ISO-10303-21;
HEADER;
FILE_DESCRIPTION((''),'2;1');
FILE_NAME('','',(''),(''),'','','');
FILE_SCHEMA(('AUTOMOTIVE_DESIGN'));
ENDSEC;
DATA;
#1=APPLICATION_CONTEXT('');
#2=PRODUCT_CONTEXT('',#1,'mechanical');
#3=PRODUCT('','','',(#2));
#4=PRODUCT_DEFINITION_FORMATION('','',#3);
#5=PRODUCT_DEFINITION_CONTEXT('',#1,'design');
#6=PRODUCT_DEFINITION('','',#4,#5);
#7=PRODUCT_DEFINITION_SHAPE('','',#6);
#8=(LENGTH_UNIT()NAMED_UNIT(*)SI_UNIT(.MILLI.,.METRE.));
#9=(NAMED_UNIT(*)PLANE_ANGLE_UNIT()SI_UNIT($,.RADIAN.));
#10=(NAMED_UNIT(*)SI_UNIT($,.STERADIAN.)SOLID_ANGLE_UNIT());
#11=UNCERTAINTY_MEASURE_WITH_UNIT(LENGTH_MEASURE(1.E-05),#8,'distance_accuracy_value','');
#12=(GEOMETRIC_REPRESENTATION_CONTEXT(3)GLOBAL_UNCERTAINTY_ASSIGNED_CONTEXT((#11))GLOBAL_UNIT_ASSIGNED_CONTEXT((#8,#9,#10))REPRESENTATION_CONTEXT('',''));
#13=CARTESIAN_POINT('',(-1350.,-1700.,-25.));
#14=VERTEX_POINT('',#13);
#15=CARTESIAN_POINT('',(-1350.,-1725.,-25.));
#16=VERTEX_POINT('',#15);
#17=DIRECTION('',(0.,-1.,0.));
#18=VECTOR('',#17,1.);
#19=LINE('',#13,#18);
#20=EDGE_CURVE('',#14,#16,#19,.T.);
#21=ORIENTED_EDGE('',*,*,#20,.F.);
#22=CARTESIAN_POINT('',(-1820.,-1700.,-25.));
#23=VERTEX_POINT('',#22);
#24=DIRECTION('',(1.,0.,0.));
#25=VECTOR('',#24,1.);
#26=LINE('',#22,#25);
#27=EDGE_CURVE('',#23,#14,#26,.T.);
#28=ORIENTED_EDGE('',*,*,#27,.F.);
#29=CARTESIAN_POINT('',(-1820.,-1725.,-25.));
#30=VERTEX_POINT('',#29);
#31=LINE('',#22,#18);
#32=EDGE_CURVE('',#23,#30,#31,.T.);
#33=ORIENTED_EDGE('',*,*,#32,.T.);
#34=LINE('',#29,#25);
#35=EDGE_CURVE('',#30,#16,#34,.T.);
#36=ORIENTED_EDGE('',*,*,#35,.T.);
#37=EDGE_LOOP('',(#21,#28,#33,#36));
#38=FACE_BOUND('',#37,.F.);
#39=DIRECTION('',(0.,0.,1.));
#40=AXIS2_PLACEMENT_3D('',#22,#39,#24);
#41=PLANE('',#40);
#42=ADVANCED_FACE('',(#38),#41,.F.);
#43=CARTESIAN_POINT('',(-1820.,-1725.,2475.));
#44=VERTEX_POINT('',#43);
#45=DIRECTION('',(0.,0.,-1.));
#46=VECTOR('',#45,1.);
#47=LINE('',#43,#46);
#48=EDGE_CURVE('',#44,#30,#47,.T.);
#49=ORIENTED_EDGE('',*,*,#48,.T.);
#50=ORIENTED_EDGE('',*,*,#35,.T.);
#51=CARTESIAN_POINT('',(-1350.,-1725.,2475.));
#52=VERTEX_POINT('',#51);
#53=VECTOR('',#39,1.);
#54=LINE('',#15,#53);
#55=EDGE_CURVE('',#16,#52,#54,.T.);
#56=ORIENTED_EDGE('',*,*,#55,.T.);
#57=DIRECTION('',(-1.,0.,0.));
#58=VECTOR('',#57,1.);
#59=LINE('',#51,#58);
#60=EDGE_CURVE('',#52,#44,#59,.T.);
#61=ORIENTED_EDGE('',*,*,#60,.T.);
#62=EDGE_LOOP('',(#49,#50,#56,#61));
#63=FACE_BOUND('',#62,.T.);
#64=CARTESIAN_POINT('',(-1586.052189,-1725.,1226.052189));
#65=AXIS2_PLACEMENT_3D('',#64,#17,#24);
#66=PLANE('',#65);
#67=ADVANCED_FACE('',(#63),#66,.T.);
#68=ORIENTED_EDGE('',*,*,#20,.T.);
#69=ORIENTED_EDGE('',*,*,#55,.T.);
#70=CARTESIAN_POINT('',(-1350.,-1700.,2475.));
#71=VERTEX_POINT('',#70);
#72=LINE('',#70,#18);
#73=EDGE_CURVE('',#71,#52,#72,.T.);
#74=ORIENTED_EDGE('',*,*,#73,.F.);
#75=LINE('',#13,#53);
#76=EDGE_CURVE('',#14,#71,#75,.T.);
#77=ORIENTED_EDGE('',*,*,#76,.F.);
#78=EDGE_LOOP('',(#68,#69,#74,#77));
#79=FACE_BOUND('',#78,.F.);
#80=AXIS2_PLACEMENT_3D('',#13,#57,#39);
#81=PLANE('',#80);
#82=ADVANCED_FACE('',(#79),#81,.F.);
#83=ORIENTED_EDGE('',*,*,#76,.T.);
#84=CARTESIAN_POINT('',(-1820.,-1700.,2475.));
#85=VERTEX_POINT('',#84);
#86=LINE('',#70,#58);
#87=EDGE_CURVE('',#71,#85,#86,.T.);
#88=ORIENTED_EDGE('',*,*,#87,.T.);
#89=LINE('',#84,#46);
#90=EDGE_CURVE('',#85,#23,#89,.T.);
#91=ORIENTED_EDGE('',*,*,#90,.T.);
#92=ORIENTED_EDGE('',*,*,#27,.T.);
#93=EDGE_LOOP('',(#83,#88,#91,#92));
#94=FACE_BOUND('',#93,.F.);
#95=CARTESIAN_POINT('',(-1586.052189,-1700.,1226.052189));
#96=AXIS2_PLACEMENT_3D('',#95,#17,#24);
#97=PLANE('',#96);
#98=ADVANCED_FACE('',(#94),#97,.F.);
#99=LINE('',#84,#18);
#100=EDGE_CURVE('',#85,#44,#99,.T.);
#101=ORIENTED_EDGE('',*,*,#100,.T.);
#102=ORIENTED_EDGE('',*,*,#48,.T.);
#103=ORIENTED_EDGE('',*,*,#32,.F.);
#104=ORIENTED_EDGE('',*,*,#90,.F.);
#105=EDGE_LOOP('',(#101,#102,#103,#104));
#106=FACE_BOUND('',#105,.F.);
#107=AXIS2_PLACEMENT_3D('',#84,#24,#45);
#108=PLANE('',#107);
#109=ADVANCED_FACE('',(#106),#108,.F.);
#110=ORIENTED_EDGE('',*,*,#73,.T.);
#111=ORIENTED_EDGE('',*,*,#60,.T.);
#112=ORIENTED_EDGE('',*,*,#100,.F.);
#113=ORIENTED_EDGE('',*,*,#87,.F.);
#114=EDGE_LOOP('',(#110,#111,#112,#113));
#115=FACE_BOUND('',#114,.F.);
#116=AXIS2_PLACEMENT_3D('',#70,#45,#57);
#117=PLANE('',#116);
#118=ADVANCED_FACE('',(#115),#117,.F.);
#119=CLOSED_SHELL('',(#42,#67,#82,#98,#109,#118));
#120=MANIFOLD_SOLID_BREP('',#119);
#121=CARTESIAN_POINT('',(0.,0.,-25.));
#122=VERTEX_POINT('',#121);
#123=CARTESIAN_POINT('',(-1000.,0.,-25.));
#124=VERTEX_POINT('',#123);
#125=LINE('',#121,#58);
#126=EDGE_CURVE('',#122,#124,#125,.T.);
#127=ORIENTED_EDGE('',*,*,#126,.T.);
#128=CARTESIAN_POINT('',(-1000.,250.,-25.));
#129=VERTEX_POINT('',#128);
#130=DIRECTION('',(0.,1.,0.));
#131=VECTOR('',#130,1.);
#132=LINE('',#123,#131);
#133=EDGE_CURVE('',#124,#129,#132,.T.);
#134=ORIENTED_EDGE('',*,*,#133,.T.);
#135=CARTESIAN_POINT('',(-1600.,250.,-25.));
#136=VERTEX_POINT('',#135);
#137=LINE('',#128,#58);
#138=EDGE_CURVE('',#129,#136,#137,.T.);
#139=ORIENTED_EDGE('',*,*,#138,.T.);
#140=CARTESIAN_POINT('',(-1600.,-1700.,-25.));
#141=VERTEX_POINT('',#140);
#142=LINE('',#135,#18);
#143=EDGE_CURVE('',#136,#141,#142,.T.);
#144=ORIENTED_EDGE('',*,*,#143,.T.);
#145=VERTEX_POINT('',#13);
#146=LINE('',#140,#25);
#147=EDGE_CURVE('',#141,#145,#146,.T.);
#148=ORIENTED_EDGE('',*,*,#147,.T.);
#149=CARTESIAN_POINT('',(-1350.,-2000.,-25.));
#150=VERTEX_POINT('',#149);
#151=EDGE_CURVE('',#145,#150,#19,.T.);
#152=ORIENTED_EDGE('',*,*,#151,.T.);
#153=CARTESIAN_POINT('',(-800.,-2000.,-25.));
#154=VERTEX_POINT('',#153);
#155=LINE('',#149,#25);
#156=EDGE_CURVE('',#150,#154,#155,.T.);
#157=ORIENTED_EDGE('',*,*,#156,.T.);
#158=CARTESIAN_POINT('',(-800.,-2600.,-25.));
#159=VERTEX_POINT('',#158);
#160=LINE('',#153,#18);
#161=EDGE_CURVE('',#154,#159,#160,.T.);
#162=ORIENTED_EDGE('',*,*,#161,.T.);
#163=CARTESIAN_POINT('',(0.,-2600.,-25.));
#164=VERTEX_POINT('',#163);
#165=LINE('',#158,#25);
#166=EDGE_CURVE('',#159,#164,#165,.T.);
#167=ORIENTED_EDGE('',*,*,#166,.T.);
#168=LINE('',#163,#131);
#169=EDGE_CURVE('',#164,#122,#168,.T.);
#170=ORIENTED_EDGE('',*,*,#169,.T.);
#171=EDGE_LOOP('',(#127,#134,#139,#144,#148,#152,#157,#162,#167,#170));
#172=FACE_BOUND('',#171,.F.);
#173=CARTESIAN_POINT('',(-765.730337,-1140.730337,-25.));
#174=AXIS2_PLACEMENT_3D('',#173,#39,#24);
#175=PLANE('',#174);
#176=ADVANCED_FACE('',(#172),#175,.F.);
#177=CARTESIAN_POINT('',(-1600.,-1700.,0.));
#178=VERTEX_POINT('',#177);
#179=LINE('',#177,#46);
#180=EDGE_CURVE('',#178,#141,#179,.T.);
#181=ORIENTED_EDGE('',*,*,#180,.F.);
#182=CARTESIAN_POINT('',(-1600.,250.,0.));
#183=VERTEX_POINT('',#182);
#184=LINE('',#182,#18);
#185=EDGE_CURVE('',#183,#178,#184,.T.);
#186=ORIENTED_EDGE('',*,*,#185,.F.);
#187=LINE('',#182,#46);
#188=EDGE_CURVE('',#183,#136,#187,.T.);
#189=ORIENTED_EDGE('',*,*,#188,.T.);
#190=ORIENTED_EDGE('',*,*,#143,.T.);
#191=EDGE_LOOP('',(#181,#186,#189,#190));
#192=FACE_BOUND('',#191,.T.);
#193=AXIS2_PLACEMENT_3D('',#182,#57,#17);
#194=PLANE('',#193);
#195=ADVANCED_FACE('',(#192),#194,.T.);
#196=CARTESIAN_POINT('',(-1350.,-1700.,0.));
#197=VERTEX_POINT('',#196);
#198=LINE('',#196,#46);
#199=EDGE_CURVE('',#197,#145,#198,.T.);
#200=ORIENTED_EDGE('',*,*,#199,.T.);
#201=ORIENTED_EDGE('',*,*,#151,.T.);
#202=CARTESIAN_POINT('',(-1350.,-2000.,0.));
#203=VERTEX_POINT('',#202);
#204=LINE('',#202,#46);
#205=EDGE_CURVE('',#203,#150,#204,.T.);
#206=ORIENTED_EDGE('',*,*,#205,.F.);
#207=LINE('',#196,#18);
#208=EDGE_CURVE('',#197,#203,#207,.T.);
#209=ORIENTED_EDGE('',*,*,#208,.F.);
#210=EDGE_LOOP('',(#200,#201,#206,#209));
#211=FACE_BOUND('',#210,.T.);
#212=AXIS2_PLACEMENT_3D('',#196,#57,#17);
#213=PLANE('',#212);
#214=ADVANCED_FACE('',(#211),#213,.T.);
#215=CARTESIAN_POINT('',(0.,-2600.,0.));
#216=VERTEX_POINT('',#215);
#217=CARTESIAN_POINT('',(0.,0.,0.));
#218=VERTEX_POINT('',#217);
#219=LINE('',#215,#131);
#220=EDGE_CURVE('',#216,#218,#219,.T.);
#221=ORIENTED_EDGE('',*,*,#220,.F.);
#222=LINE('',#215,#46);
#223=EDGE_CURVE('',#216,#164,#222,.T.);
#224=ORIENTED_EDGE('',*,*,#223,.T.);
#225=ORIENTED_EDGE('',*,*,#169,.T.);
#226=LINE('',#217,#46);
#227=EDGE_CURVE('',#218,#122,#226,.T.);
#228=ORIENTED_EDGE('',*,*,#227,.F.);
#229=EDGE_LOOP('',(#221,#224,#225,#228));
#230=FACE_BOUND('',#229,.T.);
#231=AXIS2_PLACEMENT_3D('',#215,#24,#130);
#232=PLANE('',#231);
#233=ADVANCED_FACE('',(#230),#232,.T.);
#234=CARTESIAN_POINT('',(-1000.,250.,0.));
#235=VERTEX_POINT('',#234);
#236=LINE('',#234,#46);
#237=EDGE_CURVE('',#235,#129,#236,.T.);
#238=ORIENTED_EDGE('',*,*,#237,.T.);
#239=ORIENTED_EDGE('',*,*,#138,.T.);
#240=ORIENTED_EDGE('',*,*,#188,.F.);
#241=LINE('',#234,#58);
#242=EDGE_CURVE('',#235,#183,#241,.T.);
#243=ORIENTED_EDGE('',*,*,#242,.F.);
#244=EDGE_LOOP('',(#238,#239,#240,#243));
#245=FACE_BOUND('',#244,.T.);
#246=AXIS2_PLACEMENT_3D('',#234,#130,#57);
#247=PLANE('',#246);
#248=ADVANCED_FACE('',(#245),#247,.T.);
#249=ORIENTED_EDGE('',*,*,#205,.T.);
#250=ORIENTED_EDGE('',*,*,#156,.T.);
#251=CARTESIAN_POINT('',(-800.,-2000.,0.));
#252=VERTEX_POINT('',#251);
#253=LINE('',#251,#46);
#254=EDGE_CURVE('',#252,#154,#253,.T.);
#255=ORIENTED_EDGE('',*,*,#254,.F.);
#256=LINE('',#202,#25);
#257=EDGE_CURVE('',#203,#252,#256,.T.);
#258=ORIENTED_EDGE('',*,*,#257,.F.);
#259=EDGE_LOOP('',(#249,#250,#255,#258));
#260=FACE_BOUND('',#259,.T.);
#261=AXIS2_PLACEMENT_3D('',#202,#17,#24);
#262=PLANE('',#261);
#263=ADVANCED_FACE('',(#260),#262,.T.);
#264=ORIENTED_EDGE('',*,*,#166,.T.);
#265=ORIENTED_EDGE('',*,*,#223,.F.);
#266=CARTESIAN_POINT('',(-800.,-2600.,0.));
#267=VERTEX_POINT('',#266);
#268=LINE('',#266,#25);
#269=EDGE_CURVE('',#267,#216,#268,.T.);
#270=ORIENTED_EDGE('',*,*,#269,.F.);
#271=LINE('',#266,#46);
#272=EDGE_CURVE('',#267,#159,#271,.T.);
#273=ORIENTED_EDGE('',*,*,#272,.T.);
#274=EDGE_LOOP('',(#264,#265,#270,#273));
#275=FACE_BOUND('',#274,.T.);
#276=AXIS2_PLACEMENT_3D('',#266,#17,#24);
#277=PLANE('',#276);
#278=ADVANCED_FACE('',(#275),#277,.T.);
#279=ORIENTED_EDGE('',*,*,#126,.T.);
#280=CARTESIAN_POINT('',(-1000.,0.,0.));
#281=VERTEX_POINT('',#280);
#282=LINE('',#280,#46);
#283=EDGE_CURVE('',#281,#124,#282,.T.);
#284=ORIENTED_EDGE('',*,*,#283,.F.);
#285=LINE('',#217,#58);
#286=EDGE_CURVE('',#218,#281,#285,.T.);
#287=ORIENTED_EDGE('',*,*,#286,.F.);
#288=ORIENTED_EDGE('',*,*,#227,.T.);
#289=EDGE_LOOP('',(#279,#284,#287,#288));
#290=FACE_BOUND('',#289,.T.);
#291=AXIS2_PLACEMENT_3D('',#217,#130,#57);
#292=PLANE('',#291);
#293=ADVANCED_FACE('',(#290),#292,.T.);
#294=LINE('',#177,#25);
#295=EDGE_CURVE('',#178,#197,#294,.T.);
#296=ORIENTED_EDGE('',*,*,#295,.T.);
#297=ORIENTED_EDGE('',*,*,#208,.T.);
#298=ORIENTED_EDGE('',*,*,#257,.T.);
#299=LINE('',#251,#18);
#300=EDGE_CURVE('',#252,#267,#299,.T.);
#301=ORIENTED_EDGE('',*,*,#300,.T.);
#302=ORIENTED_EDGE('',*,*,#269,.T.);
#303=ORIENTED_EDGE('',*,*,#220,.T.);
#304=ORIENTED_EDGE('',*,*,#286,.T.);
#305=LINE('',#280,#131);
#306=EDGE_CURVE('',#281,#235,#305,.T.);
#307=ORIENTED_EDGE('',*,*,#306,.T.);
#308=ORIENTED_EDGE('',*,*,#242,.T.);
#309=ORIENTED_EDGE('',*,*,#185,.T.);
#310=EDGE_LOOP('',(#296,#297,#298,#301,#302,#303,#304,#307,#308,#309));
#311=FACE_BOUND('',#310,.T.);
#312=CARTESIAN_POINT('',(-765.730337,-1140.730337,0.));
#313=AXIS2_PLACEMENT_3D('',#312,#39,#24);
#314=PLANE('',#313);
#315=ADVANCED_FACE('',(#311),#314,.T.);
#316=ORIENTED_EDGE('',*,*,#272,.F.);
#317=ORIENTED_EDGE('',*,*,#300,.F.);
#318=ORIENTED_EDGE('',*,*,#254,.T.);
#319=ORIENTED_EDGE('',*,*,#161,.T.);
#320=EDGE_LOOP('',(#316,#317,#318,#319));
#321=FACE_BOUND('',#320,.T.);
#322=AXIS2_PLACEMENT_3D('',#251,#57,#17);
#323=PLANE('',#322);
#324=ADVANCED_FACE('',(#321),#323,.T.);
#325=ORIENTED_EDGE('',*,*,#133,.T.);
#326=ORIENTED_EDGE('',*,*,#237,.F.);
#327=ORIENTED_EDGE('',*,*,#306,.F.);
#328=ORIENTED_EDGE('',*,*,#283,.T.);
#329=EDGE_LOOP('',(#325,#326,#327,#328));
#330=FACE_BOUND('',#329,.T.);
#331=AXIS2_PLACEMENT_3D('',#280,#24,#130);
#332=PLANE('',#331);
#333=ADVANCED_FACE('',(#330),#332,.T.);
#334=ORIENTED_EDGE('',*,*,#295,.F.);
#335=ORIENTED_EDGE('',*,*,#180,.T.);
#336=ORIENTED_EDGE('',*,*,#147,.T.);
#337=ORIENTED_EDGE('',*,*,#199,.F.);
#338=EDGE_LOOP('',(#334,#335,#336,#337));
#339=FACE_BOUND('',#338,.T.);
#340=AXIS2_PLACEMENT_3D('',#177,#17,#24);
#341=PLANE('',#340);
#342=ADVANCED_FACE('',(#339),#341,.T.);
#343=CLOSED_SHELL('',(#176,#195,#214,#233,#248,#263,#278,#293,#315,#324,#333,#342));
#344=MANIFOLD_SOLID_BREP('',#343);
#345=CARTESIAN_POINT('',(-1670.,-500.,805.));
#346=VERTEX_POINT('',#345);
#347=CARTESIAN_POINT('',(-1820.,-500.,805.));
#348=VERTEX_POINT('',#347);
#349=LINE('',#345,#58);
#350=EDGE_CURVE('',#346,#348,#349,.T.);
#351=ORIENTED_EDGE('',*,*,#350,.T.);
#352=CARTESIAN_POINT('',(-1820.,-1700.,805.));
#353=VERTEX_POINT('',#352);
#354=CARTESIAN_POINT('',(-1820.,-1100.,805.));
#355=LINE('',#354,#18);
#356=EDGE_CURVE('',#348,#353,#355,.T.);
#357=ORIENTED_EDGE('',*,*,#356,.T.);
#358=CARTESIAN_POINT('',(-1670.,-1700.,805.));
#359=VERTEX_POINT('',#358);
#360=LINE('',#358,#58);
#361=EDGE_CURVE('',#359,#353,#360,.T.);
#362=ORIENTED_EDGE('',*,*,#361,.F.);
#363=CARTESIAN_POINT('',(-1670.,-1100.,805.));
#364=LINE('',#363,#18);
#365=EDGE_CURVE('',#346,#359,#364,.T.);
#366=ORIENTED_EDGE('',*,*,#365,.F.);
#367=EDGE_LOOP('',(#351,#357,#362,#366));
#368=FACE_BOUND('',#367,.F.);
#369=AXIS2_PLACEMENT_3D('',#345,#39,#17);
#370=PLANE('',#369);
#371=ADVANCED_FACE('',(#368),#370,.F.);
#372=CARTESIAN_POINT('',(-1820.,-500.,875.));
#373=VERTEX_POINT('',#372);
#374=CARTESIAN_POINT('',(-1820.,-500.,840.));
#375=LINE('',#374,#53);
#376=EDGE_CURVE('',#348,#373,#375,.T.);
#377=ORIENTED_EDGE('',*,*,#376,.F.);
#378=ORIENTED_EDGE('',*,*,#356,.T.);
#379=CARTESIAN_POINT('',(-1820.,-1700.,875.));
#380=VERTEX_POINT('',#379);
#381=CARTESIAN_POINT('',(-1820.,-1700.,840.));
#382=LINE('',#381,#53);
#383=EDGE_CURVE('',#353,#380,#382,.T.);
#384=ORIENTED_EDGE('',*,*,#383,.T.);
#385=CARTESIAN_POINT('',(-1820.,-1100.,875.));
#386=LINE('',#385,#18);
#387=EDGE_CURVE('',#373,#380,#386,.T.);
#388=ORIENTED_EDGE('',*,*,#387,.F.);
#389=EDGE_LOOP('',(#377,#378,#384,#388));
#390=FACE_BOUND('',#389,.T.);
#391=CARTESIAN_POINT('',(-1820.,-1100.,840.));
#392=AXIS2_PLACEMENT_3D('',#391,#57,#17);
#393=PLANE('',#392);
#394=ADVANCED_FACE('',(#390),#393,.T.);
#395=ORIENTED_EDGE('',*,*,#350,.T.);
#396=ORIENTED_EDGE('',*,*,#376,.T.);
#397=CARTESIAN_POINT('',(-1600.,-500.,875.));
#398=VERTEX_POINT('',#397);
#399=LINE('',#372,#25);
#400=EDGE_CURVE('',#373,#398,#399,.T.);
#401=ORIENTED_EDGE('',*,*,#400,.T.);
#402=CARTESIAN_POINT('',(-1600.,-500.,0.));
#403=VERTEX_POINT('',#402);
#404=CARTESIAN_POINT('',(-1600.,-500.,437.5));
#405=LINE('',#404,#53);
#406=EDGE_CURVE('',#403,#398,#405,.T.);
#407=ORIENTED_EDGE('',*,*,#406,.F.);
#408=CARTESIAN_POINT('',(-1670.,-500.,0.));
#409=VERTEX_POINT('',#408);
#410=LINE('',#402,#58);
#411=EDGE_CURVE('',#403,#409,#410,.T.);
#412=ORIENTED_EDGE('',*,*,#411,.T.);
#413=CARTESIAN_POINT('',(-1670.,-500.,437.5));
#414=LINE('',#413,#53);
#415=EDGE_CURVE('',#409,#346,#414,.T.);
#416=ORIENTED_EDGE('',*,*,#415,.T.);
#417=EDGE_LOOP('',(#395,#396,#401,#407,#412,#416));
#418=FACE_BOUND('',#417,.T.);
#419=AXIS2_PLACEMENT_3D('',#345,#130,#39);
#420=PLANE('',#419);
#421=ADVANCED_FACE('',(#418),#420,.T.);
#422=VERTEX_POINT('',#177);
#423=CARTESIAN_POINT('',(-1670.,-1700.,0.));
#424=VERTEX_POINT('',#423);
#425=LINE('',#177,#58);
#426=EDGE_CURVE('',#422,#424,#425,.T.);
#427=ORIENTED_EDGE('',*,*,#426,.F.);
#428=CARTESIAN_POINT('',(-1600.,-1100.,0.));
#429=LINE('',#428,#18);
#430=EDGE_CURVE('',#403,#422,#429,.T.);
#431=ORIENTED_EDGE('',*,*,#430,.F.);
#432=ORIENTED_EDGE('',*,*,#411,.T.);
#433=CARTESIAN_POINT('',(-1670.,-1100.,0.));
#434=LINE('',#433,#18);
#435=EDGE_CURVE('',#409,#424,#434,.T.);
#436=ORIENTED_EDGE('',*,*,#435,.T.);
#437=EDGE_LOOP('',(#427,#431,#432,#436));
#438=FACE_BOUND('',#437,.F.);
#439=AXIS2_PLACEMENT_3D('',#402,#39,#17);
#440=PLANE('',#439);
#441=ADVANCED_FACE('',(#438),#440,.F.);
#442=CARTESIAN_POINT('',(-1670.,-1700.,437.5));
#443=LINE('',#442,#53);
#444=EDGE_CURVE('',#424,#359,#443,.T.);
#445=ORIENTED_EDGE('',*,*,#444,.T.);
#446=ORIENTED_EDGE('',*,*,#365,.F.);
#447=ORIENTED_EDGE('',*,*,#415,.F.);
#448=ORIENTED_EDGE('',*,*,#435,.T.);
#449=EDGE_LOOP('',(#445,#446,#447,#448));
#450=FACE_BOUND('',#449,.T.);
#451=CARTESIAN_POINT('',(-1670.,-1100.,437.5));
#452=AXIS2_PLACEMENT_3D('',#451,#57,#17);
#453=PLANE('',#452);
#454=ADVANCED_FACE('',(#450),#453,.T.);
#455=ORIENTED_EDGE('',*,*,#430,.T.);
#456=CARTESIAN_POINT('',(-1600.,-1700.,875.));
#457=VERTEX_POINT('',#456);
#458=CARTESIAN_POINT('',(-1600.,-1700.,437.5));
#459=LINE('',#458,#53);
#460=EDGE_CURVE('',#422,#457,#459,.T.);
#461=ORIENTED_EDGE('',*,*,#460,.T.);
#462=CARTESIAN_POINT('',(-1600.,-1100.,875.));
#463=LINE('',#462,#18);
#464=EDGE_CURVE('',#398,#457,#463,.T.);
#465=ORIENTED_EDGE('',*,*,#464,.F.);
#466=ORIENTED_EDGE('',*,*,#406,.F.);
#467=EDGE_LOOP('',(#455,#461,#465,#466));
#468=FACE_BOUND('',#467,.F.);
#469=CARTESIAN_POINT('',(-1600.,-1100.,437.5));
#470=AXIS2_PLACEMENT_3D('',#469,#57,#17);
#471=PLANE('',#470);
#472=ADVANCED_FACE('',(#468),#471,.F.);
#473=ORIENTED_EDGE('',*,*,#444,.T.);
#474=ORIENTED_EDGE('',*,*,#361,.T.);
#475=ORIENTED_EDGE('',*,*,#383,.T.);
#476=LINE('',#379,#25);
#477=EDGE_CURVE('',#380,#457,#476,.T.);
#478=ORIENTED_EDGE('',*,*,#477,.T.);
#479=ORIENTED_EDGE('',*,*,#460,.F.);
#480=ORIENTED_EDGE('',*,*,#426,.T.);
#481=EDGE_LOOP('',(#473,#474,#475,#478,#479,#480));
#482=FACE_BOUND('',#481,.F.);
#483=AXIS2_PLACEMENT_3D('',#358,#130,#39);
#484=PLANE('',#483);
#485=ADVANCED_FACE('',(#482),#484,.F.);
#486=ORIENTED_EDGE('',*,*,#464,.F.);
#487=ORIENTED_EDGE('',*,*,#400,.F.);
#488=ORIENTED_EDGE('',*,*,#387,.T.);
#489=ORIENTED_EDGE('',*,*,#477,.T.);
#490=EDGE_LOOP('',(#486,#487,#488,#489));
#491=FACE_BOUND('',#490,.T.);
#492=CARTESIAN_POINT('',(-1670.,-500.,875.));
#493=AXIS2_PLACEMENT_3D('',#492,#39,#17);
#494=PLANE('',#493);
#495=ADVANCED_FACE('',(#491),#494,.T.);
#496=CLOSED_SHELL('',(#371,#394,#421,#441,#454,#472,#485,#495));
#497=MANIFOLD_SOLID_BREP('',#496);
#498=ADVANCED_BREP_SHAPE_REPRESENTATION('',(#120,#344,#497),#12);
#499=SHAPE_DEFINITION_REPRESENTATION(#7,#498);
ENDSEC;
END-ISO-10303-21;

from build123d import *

# Parameters (mm, degrees)
F1_DEPTH = 25
F2_W     = 1200
F2_H     = 875
F3_DEPTH = 70
F4_W     = 1200
F4_H     = 70
F5_DEPTH = 150
F6_W     = 250
F6_H     = 25
F7_DEPTH = 25


with BuildPart() as f1:
    # F0 (on Top) → F1 (new body)
    with BuildSketch(Plane.XY):
        Polygon((0, -2600), (0, 0), (-1000, 0), (-1000, 250), (-1600, 250), (-1600, -1700), (-1350, -1700), (-1350, -2000), (-800, -2000), (-800, -2600), align=None)
    extrude(amount=-F1_DEPTH)


with BuildPart() as f3:
    # F2 (on face) → F3 (new body)
    with BuildSketch(Plane(origin=(-1600, 0, 0), x_dir=(0, -1, 0), z_dir=(-1, 0, 0))):
        with Locations((1100, 437.5)):
            Rectangle(F2_W, F2_H)
    extrude(amount=F3_DEPTH)

    # F4 (on face) → F5 (join)
    with BuildSketch(Plane(origin=(-1670, 0, 0), x_dir=(0, -1, 0), z_dir=(-1, 0, 0))):
        with Locations((1100, 840)):
            Rectangle(F4_W, F4_H)
    extrude(amount=F5_DEPTH)


with BuildPart() as f7:
    # F6 (on face) → F7 (new body)
    with BuildSketch(Plane.XZ.offset(1700)):
        Polygon((-1820, -25), (-1600, -25), (-1600, 0), (-1350, 0), (-1350, 2475), (-1820, 2475), align=None)
        with Locations((-1475, -12.5)):
            Rectangle(F6_W, F6_H)
    extrude(amount=F7_DEPTH)


solid = Compound([f1.part, f3.part, f7.part])
